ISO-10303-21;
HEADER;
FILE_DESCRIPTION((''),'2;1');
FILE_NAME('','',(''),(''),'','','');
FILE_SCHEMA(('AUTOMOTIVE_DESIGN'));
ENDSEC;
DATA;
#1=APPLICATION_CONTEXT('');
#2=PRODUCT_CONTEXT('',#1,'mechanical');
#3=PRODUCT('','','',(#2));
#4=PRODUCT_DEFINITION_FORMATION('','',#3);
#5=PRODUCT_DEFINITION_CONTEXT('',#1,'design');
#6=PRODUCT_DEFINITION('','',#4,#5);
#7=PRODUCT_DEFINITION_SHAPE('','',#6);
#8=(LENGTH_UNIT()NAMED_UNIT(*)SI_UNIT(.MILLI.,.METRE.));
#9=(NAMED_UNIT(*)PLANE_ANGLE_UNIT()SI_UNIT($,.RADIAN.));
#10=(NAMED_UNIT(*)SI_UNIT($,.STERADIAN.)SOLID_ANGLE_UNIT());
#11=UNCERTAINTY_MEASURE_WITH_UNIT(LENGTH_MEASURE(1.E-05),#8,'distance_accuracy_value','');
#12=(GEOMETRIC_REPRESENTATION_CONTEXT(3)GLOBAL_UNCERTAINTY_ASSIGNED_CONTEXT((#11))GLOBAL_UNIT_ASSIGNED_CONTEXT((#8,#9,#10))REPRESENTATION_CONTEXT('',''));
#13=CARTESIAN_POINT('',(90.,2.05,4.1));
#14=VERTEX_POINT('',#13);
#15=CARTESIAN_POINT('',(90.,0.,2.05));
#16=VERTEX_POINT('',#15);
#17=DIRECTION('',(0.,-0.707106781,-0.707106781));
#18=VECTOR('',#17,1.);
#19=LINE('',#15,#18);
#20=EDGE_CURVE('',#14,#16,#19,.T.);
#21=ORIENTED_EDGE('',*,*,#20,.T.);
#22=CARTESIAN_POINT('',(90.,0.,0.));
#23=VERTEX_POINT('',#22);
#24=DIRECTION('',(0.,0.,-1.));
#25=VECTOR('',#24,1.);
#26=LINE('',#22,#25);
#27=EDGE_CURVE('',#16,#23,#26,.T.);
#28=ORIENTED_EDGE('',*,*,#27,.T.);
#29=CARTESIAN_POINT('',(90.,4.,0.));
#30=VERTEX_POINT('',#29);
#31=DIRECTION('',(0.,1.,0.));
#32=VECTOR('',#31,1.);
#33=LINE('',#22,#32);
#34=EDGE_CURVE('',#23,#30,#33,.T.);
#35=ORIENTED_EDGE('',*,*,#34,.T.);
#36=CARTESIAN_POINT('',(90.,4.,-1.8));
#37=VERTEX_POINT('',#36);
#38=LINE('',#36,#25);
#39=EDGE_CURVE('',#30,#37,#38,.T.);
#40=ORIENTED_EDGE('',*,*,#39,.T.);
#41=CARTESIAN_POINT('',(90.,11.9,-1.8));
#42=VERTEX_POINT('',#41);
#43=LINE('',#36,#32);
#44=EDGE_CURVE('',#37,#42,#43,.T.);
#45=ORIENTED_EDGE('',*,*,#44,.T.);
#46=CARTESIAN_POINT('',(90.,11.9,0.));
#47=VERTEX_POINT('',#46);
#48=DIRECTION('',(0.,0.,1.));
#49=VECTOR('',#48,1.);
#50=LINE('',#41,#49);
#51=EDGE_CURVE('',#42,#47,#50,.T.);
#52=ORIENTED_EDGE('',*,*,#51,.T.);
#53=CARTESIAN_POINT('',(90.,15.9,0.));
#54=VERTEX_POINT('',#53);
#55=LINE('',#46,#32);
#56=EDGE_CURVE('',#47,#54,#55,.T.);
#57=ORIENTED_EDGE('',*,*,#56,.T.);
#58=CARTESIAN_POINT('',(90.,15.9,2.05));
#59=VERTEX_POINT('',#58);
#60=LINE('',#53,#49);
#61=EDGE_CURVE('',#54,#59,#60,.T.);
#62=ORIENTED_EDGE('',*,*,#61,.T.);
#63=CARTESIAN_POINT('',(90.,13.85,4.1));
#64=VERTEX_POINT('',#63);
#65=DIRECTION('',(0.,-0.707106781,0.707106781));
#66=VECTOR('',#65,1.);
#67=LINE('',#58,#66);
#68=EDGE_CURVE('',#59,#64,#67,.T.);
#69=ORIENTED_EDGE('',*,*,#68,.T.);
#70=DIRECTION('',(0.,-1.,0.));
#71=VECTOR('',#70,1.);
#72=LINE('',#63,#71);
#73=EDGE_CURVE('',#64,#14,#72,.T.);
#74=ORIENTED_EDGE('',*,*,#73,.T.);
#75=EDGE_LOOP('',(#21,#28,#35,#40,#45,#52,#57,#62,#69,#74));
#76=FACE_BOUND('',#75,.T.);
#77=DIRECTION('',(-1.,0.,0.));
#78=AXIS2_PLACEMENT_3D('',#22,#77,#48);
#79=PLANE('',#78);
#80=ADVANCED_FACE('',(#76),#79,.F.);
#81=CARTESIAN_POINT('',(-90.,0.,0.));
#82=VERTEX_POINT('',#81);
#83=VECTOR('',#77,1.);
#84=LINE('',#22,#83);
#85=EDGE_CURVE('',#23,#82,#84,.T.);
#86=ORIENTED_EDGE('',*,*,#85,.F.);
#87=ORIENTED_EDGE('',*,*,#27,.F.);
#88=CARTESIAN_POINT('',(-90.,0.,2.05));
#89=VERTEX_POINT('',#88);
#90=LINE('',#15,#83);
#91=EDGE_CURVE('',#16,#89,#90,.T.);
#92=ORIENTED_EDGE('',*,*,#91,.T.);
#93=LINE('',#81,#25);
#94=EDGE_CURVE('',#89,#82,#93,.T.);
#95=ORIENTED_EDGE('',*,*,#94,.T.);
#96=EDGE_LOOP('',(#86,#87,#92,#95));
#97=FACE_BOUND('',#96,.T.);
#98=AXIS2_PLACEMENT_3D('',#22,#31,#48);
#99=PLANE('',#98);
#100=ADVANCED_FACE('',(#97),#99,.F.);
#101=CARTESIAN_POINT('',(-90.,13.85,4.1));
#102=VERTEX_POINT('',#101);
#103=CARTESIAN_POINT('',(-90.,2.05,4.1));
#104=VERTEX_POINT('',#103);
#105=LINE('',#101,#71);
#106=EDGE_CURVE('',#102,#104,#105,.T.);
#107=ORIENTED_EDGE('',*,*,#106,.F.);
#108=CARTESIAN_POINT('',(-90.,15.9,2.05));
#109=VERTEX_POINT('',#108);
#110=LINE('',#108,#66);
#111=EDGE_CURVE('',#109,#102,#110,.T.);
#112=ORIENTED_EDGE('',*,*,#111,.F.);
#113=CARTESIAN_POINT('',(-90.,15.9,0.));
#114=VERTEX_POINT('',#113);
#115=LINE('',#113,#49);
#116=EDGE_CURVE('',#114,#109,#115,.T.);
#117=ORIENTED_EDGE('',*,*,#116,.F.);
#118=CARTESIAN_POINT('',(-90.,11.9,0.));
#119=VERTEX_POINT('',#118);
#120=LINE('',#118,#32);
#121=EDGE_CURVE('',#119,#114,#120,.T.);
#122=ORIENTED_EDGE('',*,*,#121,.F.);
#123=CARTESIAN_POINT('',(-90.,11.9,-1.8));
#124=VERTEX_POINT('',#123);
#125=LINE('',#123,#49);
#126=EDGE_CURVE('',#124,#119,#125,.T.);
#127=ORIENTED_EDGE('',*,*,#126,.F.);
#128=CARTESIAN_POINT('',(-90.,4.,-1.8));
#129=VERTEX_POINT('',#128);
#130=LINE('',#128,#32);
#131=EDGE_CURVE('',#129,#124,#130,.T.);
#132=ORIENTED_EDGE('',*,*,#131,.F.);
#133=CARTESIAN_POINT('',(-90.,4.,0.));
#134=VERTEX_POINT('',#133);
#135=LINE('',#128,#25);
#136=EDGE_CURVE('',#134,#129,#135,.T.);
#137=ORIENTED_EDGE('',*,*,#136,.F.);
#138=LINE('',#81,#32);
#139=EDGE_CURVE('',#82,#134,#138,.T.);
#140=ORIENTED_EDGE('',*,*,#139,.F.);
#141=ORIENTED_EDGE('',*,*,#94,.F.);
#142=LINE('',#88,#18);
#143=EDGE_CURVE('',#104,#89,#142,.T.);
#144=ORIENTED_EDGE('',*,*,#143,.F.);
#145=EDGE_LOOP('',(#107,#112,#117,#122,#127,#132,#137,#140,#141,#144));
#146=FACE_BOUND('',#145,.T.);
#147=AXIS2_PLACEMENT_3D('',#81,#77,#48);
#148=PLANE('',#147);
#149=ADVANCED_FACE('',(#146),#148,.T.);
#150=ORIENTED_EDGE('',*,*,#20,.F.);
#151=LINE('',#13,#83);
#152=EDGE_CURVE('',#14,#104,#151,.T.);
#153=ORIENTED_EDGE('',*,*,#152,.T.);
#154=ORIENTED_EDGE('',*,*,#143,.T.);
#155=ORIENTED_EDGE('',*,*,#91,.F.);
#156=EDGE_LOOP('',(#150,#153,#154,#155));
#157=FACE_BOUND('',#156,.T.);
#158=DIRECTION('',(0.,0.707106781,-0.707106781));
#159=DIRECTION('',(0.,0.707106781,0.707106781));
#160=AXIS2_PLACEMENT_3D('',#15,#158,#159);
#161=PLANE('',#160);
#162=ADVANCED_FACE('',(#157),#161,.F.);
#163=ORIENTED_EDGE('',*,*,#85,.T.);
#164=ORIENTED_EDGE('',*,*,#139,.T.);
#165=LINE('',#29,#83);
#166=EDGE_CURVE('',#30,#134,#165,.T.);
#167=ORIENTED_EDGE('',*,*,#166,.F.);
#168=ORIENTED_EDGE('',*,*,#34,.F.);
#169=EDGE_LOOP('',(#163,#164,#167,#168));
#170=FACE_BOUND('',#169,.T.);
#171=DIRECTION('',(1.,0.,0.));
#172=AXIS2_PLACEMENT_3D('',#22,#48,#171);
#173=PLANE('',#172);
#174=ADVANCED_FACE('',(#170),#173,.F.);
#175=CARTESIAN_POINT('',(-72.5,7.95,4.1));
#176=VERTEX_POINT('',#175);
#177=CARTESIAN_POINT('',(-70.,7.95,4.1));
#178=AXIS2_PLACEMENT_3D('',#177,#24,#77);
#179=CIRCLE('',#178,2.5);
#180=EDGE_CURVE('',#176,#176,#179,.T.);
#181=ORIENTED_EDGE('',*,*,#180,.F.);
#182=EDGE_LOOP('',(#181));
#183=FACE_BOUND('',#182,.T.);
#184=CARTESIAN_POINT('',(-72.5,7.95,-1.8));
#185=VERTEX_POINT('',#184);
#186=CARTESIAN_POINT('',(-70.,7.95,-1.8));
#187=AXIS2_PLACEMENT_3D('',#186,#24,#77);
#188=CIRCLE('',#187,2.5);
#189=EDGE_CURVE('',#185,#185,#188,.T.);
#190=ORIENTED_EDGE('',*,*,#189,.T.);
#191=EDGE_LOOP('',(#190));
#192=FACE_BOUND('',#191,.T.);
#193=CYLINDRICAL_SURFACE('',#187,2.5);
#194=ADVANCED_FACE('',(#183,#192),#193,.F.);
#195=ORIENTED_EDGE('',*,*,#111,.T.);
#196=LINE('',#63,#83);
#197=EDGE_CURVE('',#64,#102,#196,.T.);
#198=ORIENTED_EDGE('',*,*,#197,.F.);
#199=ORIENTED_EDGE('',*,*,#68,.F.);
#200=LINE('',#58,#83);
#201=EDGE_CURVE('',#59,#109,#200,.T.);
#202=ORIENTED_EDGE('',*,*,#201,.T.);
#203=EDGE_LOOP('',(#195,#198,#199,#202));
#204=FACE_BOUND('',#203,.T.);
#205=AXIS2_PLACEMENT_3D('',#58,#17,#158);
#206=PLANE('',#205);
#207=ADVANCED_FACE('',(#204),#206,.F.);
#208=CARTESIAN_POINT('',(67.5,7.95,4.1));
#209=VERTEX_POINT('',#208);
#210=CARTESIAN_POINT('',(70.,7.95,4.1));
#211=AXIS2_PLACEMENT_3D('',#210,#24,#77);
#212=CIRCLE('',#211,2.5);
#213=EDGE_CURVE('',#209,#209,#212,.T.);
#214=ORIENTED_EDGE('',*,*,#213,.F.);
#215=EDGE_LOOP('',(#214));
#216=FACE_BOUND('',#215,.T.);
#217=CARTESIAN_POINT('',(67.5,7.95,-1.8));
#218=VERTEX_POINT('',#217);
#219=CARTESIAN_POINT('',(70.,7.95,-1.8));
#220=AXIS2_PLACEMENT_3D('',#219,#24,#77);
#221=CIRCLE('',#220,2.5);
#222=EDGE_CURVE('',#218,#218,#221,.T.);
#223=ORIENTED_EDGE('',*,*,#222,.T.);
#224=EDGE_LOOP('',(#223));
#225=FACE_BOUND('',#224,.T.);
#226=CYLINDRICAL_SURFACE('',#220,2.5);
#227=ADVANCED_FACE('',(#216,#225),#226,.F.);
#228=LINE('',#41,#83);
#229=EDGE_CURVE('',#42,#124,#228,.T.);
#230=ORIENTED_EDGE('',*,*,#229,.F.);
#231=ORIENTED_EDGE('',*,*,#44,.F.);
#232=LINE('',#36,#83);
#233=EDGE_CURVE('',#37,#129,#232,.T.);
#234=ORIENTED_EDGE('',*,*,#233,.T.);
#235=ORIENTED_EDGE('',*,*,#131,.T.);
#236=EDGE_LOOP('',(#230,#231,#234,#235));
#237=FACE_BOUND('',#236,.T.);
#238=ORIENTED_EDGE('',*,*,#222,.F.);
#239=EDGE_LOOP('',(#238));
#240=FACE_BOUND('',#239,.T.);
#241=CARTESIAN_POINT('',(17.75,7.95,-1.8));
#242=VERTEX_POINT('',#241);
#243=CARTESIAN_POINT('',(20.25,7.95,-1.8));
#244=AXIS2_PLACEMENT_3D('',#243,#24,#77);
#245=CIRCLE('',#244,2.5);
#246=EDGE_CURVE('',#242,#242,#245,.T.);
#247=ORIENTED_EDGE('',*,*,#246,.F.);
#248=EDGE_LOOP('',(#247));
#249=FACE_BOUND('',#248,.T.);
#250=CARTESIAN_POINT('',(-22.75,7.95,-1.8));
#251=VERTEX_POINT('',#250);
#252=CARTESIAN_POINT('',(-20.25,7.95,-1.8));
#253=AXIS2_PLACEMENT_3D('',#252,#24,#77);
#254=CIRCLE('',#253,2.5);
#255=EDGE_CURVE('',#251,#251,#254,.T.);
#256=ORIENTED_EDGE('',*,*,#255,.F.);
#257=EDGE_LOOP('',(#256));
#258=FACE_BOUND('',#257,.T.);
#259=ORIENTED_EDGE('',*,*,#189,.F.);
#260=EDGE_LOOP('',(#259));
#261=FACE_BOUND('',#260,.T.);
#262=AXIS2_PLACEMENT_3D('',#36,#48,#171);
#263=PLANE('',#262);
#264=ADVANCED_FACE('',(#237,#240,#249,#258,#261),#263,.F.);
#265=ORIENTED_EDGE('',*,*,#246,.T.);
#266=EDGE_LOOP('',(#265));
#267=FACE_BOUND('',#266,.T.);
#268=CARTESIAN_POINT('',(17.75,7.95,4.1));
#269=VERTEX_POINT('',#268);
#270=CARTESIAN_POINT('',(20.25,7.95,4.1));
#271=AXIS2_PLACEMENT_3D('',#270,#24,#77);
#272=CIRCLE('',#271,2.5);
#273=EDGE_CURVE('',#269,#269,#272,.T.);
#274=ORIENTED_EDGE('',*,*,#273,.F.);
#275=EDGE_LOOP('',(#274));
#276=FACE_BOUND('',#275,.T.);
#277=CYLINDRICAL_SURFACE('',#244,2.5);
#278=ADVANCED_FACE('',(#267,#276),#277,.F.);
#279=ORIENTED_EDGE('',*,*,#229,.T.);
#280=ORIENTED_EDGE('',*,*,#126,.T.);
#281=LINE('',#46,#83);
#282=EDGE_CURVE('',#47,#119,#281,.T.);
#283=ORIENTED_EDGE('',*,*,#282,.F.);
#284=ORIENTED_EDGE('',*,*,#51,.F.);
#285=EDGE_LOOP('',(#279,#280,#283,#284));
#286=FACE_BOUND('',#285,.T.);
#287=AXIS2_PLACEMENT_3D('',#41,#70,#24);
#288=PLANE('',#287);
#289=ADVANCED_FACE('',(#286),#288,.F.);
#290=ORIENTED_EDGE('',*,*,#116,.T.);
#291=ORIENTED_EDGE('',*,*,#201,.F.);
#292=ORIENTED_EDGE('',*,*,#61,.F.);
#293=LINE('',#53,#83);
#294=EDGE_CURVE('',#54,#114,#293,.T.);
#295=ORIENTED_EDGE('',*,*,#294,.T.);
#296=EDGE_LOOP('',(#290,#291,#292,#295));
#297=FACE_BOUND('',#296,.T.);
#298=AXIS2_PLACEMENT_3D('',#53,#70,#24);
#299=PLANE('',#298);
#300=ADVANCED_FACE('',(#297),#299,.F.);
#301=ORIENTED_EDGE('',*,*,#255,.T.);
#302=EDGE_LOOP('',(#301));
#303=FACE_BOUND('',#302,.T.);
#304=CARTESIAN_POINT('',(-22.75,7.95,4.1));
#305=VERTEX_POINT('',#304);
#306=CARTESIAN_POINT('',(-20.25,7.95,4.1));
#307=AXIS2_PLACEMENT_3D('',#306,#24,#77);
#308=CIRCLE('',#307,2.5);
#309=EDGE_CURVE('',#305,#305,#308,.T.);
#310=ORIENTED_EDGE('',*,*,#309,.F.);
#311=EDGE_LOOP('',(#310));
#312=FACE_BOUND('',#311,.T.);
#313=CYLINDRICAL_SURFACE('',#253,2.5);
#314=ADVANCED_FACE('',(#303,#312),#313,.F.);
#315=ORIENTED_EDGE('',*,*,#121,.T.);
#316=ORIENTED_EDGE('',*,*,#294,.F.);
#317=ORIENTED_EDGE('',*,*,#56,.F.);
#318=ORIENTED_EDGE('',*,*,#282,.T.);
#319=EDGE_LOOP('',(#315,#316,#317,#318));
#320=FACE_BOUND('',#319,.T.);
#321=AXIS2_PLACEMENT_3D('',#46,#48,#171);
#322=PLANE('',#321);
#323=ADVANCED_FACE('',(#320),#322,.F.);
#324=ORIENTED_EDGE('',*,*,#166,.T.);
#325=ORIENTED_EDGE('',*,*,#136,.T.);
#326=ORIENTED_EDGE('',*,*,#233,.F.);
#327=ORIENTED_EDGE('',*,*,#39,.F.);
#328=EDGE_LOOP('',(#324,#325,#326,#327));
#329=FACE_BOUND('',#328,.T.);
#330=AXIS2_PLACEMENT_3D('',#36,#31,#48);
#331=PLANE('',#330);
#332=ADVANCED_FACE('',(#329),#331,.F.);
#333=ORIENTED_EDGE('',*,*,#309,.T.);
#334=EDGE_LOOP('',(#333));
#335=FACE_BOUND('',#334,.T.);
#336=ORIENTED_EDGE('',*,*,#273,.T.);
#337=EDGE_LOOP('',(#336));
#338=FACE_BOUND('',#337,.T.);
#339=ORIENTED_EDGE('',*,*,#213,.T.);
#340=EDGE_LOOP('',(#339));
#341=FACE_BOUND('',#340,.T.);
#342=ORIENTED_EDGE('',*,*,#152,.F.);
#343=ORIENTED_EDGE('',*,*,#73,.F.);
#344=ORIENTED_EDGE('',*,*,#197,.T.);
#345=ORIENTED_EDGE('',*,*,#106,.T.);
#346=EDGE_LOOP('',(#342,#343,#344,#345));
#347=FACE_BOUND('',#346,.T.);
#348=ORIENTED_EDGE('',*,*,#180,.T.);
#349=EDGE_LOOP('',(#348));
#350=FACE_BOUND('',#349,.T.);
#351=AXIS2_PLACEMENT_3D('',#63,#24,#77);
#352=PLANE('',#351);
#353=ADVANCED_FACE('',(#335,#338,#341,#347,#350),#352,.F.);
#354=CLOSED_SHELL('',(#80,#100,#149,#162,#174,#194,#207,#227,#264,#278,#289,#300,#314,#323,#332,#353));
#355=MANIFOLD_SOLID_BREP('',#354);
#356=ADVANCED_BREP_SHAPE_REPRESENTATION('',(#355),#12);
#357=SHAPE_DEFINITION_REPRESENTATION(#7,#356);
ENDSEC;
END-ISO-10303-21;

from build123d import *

# Parameters (mm, degrees)
EXTRUDE_1_DEPTH        = 90
HOLE_WIZARD_M6_1_D     = 5
HOLE_WIZARD_M6_1_DEPTH = 28
HOLE_WIZARD_M6_1_TIP   = 1.502151548


with BuildPart() as part:
    # 草图1 → 凸台-拉伸1 (new, symmetric)
    with BuildSketch(Plane(origin=(0, 0, 0), x_dir=(0, 0, -1), z_dir=(1, 0, 0))):
        Polygon((-4.1, 13.85), (-4.1, 2.05), (-2.05, 0), (0, 0), (0, 4), (1.8, 4), (1.8, 11.9), (0, 11.9), (0, 15.9), (-2.05, 15.9), align=None)
    extrude(amount=EXTRUDE_1_DEPTH, both=True)

    # M6 螺纹孔1
    with Locations(Plane(origin=(70, 7.95, -1.8), x_dir=(-1, 0, 0), z_dir=(0, 0, -1))):
        with Locations((0, 0), (49.75, 0), (90.25, 0), (140, 0)):
            Hole(HOLE_WIZARD_M6_1_D / 2, depth=HOLE_WIZARD_M6_1_DEPTH)
            with Locations((0, 0, -(HOLE_WIZARD_M6_1_DEPTH + HOLE_WIZARD_M6_1_TIP / 2))):  # 118° drill point
                Cone(0, HOLE_WIZARD_M6_1_D / 2, HOLE_WIZARD_M6_1_TIP, mode=Mode.SUBTRACT)


solid = part.part
